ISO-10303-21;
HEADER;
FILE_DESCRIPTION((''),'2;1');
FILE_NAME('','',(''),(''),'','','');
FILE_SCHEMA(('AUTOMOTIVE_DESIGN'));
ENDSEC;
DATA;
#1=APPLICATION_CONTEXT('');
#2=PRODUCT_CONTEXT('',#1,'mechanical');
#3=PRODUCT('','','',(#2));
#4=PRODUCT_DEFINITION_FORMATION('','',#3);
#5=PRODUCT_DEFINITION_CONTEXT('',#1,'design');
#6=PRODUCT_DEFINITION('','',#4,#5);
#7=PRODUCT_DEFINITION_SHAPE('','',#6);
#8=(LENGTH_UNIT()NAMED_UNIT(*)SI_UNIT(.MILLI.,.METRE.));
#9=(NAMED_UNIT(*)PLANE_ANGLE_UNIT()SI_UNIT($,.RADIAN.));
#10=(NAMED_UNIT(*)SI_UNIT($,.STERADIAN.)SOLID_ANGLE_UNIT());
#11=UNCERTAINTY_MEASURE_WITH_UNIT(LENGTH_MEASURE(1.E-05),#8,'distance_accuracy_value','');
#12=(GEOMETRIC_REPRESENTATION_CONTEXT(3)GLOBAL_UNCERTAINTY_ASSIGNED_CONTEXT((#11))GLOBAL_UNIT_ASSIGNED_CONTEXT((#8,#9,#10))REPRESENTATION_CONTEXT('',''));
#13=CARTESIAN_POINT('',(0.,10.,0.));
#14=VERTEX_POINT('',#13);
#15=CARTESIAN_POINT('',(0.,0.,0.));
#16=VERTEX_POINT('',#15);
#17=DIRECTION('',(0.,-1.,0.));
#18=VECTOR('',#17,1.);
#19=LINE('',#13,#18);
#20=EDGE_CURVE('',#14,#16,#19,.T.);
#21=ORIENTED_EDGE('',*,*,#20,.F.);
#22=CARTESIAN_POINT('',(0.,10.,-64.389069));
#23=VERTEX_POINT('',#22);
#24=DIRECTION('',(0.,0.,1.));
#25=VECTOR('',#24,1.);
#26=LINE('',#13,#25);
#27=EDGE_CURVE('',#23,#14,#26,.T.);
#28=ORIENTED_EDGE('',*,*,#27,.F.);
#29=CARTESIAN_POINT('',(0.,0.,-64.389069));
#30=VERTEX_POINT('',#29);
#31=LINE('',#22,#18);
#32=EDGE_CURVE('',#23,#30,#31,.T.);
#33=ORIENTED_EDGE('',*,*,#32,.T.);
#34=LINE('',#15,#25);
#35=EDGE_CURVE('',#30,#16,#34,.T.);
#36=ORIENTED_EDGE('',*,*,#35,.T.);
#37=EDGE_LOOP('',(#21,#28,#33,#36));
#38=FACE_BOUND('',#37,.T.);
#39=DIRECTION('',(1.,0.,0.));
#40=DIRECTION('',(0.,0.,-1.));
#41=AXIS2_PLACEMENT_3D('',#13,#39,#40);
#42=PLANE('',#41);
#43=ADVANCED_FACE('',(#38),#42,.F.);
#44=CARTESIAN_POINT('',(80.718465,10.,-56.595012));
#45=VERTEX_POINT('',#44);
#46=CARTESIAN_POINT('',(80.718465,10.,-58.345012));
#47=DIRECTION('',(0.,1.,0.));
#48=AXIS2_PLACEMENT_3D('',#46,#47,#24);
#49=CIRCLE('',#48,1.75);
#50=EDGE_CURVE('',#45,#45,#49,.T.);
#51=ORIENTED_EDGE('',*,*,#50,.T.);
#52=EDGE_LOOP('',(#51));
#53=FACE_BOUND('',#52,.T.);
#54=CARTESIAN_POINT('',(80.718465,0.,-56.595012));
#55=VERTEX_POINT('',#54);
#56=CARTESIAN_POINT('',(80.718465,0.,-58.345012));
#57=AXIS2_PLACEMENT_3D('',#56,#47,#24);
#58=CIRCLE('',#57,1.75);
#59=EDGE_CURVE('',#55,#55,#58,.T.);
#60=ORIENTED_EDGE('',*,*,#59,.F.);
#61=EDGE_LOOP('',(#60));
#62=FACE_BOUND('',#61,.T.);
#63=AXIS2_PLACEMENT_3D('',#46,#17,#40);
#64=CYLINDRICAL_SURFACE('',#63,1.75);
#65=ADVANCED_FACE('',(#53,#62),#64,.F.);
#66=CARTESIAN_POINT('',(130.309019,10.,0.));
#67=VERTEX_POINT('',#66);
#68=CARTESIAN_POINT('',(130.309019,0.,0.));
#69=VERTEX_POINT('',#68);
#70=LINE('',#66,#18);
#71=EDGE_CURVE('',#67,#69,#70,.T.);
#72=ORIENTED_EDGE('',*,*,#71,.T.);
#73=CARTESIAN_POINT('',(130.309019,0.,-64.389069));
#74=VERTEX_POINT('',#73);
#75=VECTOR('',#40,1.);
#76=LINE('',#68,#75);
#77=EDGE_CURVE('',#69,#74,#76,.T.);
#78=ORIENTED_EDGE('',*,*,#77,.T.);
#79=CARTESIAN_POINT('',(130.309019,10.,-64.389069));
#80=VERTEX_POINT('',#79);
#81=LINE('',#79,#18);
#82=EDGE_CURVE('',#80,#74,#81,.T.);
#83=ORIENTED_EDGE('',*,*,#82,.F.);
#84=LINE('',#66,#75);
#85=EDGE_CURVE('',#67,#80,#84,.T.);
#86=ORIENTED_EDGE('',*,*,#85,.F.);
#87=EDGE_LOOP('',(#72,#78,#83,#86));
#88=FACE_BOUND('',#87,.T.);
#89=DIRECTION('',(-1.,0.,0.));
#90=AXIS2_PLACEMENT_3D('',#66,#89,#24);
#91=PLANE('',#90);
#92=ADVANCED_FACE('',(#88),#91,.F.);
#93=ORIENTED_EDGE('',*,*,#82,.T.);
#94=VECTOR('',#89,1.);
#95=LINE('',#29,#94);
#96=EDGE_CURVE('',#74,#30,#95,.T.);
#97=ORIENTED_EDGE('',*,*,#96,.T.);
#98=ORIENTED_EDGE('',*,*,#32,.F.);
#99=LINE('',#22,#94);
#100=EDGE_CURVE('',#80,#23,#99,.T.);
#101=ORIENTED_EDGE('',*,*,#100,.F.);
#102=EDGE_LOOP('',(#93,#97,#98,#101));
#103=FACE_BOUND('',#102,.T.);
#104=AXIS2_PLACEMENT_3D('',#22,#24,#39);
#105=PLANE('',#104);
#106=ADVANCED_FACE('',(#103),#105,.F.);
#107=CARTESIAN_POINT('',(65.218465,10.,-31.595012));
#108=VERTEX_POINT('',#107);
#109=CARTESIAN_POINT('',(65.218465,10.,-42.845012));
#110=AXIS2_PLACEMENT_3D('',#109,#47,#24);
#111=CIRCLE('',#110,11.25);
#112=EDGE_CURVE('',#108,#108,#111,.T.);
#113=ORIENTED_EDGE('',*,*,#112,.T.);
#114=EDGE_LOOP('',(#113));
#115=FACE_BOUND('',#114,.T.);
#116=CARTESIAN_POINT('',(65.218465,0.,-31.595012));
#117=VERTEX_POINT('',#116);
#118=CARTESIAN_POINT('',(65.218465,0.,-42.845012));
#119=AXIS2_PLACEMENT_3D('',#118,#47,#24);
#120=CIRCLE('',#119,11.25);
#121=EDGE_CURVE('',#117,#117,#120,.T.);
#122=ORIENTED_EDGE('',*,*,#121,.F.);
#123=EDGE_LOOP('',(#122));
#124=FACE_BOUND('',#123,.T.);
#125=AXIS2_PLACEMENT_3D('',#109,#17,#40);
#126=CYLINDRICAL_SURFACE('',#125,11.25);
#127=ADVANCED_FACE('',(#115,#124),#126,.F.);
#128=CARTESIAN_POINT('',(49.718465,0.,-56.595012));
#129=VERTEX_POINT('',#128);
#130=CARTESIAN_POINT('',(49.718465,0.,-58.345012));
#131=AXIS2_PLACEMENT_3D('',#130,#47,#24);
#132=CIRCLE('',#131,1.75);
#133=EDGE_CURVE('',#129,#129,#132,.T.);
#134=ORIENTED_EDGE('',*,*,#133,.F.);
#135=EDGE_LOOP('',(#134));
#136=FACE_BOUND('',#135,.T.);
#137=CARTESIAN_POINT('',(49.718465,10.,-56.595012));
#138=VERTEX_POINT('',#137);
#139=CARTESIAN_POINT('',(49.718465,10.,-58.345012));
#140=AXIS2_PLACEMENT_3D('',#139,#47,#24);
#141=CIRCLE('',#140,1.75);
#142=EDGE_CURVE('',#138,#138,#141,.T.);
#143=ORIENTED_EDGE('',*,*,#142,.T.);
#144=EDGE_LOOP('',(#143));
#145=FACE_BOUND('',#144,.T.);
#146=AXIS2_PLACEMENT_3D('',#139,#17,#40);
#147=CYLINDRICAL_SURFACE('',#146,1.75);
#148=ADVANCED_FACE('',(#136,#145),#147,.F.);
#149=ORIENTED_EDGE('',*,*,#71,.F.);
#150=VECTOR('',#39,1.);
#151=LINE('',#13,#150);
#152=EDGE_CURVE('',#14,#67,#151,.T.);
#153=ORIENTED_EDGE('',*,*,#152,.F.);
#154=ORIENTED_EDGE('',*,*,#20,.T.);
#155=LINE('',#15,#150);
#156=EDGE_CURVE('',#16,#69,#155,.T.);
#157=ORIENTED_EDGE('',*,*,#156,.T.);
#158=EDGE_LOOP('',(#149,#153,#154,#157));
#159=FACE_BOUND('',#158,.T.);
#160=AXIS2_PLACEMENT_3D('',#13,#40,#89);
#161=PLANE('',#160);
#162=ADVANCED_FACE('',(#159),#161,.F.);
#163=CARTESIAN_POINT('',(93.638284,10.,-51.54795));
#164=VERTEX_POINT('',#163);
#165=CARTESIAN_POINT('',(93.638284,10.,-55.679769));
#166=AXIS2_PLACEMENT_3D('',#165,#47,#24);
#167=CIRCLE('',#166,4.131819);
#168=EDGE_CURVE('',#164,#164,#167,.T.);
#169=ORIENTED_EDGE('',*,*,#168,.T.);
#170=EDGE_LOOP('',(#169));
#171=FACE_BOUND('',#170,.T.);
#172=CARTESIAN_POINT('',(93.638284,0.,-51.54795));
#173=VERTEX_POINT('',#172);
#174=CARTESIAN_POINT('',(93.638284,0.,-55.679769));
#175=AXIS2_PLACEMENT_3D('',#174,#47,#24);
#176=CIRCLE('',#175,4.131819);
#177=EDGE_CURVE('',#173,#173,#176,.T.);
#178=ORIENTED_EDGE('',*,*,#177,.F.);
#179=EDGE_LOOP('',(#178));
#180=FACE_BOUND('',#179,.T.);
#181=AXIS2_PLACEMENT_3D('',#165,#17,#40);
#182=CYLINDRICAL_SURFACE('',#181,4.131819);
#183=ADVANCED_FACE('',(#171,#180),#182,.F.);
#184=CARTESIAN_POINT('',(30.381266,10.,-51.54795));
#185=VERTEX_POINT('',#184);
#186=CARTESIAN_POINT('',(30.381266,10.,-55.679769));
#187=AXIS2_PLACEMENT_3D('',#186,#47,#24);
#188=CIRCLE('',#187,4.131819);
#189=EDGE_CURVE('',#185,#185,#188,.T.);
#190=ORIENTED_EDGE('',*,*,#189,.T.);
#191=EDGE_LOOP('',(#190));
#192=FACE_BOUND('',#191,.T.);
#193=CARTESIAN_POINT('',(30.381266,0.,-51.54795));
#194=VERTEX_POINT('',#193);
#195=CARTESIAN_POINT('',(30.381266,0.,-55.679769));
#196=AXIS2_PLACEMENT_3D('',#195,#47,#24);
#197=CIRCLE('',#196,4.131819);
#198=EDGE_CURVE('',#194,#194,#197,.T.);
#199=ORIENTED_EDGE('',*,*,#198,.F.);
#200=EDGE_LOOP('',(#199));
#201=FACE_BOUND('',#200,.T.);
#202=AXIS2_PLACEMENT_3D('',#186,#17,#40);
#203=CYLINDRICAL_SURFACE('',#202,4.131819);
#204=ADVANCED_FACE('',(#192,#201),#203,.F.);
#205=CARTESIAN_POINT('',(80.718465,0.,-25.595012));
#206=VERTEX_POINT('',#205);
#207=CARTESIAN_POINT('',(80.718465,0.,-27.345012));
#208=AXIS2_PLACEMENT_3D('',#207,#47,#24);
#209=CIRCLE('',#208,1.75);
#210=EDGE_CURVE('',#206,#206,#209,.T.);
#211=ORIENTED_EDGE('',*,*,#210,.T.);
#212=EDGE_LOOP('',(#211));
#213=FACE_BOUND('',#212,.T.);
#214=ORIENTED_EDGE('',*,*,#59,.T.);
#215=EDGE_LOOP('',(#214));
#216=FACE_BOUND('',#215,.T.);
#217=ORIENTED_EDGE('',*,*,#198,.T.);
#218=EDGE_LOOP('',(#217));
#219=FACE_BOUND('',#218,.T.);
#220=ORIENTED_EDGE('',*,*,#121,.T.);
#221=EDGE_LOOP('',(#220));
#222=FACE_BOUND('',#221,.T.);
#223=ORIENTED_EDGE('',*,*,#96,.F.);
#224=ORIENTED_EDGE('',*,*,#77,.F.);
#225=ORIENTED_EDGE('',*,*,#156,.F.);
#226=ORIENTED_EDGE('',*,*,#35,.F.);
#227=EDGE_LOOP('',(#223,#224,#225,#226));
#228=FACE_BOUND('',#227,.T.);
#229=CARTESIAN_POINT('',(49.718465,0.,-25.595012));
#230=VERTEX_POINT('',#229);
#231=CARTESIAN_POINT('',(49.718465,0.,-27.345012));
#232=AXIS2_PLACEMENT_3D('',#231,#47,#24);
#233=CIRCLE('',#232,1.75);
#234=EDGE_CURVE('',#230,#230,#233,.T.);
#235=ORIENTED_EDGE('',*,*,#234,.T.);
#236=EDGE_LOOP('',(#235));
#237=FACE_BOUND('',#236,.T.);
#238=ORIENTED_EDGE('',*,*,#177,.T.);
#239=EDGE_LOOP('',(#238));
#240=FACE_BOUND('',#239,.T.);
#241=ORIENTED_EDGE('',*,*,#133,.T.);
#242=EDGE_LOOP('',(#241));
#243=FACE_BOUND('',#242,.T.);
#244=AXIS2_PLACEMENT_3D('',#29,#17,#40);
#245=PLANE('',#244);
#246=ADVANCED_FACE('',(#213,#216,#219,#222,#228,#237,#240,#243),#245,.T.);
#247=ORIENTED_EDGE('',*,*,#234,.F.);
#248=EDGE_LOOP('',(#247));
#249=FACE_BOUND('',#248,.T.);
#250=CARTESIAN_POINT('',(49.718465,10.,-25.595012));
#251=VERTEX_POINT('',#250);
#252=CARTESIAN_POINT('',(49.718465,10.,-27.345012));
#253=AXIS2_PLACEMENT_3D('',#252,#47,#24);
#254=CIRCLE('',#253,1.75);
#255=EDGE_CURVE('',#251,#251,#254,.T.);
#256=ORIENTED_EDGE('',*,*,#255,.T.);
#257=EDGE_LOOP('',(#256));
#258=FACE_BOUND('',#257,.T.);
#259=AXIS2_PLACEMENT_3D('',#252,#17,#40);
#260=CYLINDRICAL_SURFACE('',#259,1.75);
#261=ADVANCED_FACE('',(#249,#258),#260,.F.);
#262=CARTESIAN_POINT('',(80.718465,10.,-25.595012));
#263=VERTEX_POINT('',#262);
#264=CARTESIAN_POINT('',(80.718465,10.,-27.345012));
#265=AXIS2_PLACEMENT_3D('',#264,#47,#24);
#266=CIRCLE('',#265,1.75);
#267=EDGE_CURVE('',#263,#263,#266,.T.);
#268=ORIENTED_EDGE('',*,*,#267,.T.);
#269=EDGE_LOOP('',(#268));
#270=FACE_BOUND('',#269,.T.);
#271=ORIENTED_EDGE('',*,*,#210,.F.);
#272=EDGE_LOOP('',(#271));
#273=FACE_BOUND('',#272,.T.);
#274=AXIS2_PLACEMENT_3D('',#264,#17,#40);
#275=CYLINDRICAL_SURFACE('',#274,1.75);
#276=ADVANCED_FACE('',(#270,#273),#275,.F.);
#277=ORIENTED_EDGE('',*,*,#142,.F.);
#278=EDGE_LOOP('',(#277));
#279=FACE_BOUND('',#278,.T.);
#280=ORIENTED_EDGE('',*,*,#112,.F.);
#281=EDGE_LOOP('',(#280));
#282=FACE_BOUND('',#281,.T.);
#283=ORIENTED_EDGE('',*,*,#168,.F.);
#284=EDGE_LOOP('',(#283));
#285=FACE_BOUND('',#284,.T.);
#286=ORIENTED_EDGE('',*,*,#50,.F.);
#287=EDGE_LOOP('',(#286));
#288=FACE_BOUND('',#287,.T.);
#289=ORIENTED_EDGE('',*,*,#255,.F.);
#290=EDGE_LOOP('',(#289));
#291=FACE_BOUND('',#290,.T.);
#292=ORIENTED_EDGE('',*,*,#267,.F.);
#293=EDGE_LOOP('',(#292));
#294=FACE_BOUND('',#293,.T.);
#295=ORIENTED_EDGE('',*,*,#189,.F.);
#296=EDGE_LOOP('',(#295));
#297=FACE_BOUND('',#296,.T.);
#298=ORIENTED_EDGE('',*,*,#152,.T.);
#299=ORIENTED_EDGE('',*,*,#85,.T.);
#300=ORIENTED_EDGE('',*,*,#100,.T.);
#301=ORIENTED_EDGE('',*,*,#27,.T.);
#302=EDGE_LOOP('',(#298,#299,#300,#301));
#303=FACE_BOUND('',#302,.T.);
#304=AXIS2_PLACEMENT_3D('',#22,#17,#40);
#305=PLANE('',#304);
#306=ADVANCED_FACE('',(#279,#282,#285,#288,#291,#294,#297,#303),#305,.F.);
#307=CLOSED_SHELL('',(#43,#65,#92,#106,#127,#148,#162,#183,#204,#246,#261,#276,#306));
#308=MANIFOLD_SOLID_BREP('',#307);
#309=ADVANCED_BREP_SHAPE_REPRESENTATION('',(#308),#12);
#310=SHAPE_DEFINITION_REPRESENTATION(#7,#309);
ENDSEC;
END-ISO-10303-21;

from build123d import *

# Parameters (mm, degrees)
SKETCH1_W           = 130.309019047
SKETCH1_H           = 64.389068899
SKETCH1_R           = 1.75
SKETCH1_R_2         = 11.25
SKETCH1_R_3         = 4.13181922
BOSS_EXTRUDE1_DEPTH = 10


with BuildPart() as part:
    # Sketch1 → Boss-Extrude1 (new body)
    with BuildSketch(Plane(origin=(0, 0, 0), x_dir=(1, 0, 0), z_dir=(0, 1, 0))):
        with Locations((65.154509524, 32.19453445)):
            Rectangle(SKETCH1_W, SKETCH1_H)
        with Locations(Location((49.718464568, 58.345012134, 0), (0, 0, 270))):
            Circle(SKETCH1_R, mode=Mode.SUBTRACT)
        with Locations(Location((80.718464568, 58.345012134, 0), (0, 0, 270))):
            Circle(SKETCH1_R, mode=Mode.SUBTRACT)
        with Locations(Location((49.718464568, 27.345012134, 0), (0, 0, 270))):
            Circle(SKETCH1_R, mode=Mode.SUBTRACT)
        with Locations(Location((80.718464568, 27.345012134, 0), (0, 0, 270))):
            Circle(SKETCH1_R, mode=Mode.SUBTRACT)
        with Locations(Location((65.218464568, 42.845012134, 0), (0, 0, 270))):
            Circle(SKETCH1_R_2, mode=Mode.SUBTRACT)
        with Locations(Location((30.381266396, 55.679769356, 0), (0, 0, 270))):
            Circle(SKETCH1_R_3, mode=Mode.SUBTRACT)
        with Locations(Location((93.638284129, 55.679769356, 0), (0, 0, 270))):
            Circle(SKETCH1_R_3, mode=Mode.SUBTRACT)
    extrude(amount=BOSS_EXTRUDE1_DEPTH)


solid = part.part
